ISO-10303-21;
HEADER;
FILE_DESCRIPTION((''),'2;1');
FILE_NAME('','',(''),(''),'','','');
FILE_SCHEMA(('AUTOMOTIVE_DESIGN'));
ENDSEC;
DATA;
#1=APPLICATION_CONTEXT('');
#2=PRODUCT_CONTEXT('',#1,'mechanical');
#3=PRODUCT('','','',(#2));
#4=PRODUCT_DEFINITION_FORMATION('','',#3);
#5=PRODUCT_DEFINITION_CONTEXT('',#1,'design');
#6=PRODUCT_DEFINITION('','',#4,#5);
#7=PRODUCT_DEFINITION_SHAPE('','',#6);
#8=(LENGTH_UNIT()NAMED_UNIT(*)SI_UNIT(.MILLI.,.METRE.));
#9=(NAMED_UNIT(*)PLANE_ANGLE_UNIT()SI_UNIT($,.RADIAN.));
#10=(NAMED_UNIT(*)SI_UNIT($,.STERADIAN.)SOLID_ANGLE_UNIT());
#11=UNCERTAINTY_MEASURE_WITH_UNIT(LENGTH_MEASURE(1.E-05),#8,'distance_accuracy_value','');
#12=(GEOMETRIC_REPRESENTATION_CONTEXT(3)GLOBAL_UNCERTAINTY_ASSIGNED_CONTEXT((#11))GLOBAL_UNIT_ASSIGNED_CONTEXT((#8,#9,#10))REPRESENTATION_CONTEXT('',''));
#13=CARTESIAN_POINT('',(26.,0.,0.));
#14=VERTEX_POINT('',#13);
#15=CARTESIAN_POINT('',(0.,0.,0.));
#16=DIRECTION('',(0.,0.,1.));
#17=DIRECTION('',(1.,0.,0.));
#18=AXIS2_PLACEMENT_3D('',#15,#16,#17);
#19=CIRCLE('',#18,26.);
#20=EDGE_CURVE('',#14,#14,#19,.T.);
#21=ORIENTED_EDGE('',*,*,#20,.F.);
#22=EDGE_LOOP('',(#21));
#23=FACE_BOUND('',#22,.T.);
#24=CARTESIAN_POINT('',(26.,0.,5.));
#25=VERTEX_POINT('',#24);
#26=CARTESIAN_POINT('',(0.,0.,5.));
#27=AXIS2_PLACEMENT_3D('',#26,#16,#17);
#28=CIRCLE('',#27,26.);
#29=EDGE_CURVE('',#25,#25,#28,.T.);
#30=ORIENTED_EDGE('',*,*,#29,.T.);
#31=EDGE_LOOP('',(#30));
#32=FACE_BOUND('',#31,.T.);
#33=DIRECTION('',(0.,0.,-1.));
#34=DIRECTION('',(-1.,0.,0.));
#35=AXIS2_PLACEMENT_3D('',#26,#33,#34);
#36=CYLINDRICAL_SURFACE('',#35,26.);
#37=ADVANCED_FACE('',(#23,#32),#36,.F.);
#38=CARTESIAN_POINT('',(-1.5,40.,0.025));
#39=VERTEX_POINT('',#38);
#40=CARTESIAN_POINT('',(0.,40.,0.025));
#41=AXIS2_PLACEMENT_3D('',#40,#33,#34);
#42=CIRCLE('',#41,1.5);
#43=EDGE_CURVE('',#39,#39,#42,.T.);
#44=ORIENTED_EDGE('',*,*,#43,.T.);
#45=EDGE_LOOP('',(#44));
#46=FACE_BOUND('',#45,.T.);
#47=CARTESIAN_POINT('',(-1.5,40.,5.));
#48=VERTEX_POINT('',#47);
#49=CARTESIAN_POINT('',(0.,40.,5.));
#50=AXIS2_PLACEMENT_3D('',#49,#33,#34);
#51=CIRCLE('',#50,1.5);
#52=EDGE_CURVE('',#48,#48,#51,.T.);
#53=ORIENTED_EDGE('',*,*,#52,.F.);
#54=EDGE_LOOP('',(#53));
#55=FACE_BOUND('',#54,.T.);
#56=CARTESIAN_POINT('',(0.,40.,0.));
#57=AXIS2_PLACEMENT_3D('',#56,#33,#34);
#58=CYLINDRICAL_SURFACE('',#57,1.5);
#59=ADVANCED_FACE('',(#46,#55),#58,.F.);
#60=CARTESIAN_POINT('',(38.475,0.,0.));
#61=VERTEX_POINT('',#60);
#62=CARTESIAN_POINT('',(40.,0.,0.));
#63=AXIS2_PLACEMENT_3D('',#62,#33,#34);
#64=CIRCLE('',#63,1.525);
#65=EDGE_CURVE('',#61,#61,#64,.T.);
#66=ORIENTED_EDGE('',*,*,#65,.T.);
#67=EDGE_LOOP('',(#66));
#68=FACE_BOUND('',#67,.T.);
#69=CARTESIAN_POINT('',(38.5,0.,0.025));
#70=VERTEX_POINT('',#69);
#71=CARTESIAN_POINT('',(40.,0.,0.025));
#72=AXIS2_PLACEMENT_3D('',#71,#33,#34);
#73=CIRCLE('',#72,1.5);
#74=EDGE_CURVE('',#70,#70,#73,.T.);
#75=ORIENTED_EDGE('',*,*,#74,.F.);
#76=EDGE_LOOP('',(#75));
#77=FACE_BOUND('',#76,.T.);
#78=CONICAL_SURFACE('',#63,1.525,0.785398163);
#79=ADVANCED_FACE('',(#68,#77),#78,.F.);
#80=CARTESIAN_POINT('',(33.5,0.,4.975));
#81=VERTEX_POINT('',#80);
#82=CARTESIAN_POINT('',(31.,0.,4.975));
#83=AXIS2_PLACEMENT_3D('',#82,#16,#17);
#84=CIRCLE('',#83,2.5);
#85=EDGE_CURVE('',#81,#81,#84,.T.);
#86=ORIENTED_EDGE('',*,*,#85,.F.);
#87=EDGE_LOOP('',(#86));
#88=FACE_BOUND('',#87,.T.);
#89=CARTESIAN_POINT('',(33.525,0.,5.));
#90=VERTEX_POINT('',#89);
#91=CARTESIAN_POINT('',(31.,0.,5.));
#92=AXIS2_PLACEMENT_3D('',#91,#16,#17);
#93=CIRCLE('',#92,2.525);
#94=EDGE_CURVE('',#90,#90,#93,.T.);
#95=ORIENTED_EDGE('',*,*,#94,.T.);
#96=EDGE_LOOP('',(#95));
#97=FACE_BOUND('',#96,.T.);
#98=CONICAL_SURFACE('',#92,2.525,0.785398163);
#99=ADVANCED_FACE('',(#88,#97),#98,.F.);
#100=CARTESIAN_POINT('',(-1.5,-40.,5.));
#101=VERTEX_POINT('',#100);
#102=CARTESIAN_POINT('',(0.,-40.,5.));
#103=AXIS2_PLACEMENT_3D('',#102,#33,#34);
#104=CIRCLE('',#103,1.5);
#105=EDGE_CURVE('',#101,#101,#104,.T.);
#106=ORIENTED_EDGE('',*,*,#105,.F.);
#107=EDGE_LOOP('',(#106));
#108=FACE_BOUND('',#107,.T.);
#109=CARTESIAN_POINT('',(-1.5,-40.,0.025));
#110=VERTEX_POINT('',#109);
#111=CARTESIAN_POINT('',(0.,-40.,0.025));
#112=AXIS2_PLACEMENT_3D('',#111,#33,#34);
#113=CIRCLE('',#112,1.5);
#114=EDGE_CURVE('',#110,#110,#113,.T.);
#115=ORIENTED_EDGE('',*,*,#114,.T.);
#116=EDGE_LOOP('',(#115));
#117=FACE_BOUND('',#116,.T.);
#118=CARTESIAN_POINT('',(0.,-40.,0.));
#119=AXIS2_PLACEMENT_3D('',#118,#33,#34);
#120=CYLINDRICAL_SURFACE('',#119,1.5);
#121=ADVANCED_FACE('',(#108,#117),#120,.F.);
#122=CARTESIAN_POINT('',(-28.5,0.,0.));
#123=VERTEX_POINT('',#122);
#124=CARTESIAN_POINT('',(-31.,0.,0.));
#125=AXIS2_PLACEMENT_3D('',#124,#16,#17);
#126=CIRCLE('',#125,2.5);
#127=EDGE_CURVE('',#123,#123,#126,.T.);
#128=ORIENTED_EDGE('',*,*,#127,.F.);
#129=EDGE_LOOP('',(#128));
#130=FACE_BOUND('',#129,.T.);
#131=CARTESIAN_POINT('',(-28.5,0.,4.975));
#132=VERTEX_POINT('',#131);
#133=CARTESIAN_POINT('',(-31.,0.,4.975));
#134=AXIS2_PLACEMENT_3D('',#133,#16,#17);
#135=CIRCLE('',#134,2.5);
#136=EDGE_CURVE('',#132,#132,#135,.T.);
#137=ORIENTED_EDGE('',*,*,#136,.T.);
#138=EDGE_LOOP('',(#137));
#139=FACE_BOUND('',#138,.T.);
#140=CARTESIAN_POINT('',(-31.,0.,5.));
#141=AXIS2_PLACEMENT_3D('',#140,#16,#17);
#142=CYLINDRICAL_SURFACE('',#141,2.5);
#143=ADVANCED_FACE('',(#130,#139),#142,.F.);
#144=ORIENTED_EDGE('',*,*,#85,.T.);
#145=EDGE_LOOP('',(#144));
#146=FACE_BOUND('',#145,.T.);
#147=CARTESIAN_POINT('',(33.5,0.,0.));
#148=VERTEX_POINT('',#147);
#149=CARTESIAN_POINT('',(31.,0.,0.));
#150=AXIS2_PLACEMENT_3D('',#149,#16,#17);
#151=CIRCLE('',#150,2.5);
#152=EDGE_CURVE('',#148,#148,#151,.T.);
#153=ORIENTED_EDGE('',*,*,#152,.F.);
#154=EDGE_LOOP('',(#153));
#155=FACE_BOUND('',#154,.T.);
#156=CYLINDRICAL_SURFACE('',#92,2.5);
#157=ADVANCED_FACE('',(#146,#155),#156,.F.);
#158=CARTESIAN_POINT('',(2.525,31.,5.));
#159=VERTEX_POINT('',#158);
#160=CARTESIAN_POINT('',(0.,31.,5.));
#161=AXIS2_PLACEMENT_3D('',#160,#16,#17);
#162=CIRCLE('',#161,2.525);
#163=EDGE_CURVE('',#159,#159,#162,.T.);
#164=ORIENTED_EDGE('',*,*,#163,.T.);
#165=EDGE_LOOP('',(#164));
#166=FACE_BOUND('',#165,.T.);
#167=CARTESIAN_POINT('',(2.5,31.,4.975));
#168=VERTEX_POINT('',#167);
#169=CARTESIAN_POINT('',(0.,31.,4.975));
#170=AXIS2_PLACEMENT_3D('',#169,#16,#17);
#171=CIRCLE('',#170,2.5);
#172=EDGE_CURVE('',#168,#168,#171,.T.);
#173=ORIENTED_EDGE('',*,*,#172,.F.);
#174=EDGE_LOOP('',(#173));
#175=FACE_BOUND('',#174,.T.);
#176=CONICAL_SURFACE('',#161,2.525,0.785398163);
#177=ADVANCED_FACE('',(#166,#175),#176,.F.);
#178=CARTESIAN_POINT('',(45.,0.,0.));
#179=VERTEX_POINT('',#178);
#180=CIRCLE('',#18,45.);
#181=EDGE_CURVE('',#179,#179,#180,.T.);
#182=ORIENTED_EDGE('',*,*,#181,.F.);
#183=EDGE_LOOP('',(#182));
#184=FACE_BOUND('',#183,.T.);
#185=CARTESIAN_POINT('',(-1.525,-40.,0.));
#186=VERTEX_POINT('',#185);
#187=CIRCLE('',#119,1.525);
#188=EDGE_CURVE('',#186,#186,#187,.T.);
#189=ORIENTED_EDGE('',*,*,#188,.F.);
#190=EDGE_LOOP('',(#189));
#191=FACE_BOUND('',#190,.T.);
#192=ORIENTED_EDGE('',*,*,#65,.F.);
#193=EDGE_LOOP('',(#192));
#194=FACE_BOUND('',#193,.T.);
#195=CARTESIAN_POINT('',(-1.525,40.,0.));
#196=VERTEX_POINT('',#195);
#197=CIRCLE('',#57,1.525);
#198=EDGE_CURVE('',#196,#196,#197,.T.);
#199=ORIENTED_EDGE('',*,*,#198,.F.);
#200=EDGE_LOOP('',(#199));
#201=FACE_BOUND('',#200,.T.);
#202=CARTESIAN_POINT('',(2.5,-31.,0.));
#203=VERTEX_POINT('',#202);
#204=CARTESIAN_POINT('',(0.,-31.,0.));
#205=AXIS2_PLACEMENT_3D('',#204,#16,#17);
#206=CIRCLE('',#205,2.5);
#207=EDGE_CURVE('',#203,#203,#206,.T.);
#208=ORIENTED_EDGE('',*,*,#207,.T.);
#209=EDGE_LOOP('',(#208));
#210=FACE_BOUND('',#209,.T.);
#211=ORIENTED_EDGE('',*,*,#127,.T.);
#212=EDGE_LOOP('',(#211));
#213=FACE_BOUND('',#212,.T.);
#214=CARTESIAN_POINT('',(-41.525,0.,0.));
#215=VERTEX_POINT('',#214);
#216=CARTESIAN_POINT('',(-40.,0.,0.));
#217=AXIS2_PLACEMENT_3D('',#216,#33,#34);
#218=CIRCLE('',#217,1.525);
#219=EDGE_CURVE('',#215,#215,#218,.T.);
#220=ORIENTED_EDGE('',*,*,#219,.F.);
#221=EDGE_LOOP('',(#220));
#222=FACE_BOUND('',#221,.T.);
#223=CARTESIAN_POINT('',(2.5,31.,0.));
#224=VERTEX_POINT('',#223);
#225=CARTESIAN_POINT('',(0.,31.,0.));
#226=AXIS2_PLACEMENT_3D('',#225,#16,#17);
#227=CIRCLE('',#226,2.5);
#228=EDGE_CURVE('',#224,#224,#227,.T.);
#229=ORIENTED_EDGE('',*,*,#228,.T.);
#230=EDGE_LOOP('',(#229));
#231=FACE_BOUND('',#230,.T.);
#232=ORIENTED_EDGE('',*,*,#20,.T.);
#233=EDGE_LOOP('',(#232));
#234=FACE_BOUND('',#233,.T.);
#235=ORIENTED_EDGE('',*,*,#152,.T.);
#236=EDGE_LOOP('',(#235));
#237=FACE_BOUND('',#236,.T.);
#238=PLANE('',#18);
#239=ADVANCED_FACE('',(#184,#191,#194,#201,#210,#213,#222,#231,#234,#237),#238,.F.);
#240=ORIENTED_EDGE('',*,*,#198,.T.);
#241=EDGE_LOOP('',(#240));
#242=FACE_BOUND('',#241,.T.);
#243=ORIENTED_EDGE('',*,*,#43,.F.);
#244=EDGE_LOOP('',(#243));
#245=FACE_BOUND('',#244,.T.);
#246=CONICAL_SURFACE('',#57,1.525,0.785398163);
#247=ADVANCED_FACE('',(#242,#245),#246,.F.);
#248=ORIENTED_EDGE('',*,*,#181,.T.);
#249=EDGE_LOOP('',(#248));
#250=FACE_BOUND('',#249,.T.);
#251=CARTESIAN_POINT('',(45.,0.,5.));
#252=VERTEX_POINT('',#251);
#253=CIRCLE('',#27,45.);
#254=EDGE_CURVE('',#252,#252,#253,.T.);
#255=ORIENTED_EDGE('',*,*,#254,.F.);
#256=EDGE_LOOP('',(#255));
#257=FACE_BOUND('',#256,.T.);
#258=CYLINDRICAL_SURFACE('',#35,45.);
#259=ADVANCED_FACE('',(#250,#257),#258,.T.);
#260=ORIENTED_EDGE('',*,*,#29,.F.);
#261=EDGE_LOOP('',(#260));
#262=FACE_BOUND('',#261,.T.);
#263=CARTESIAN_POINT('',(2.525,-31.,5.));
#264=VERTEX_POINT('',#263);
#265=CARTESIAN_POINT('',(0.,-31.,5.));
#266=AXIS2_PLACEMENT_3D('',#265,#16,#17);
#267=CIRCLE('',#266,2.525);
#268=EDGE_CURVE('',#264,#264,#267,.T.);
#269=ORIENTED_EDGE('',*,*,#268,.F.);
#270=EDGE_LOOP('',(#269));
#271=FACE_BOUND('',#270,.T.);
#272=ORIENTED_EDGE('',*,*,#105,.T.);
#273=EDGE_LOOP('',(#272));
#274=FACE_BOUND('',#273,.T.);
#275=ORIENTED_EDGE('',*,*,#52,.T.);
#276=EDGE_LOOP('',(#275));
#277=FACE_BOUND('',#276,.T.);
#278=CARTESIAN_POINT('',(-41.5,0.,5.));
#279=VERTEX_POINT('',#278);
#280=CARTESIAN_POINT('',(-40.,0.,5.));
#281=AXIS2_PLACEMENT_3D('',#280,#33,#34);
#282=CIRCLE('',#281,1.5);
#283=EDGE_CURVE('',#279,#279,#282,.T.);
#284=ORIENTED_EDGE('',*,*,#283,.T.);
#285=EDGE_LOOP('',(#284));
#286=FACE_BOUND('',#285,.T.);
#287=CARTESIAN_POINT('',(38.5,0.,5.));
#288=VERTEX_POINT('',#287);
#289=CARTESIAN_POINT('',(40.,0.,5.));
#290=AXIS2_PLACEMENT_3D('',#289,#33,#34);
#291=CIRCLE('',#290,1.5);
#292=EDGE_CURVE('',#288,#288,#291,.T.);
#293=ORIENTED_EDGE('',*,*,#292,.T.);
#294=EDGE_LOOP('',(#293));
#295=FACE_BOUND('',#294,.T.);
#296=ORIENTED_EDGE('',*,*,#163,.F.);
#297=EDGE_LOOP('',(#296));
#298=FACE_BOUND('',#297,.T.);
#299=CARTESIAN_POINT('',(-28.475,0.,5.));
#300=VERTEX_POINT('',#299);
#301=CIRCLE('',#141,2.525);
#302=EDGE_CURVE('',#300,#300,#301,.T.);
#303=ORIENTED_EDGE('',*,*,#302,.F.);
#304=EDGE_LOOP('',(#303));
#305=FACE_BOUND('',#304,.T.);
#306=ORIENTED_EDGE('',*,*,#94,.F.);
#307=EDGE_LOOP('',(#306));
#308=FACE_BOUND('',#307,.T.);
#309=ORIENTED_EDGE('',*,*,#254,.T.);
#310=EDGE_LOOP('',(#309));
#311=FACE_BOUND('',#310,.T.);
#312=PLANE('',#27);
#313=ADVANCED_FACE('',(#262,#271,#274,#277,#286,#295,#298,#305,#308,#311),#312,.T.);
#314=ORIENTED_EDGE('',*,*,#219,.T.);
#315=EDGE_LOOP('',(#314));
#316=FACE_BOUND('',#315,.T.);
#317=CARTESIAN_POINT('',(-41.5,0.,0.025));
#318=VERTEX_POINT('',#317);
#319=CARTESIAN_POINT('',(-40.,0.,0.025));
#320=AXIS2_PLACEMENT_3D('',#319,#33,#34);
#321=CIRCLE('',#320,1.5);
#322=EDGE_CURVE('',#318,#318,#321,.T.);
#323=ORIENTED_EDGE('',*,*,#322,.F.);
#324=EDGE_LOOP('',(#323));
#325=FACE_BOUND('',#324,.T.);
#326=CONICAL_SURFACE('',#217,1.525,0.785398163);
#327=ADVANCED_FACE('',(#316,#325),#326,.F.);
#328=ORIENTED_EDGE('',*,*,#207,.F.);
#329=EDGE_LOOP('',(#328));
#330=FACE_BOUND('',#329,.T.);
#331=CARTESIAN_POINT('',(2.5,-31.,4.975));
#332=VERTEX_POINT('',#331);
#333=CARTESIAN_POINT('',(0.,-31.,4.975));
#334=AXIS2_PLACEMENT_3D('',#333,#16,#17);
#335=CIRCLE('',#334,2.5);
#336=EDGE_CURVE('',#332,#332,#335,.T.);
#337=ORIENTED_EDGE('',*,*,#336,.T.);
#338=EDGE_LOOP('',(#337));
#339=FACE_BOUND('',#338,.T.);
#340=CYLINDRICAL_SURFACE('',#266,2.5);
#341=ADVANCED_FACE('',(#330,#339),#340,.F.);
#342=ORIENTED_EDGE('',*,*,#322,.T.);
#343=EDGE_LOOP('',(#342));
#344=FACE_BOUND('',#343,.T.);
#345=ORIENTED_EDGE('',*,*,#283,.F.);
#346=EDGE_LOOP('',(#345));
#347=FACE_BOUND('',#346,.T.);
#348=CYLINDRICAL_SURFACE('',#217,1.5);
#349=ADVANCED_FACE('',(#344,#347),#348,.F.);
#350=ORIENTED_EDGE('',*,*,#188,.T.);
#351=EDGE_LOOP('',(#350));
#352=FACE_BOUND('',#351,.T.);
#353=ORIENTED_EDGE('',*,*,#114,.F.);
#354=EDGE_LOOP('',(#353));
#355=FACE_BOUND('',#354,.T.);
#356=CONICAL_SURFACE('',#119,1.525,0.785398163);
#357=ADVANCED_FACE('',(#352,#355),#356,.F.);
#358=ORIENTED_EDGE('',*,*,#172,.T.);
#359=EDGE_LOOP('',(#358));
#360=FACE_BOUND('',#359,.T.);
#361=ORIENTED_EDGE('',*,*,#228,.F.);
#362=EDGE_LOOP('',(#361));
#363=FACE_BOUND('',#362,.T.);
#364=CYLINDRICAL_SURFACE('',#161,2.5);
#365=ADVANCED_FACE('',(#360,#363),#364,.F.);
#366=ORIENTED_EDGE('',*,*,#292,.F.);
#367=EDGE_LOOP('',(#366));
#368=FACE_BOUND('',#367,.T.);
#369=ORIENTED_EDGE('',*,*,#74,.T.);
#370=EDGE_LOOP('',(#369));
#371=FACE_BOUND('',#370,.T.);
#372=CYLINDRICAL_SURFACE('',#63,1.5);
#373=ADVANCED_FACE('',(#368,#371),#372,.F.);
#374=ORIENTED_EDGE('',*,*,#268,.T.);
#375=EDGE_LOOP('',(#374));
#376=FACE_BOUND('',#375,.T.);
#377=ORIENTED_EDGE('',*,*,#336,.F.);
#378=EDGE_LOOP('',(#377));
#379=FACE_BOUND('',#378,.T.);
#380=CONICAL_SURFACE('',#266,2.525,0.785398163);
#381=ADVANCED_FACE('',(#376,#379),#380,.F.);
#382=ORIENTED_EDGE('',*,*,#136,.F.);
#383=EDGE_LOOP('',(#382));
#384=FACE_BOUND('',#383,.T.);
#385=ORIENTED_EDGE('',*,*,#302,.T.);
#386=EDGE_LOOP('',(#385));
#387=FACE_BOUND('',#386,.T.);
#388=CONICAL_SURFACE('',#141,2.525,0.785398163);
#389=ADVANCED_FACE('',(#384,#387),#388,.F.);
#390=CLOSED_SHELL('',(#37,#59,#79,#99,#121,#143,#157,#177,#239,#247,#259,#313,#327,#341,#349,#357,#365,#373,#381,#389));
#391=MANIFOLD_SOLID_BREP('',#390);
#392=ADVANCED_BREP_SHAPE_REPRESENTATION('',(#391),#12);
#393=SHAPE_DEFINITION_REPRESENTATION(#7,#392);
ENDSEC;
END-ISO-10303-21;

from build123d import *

# Parameters (mm, degrees)
SKETCH1_R                       = 45
SKETCH1_R_2                     = 26
BOSS_EXTRUDE1_DEPTH             = 5
F_5_0MM_DOWEL_HOLE1_D           = 5
F_5_0MM_DOWEL_HOLE1_CSINK_D     = 5.05
F_5_0MM_DOWEL_HOLE1_CSINK_ANGLE = 90
F_3_0MM_DOWEL_HOLE3_D           = 3
F_3_0MM_DOWEL_HOLE3_CSINK_D     = 3.05
F_3_0MM_DOWEL_HOLE3_CSINK_ANGLE = 90


with BuildPart() as part:
    # Sketch1 → Boss-Extrude1 (new body)
    with BuildSketch(Plane.XY):
        Circle(SKETCH1_R)
        Circle(SKETCH1_R_2, mode=Mode.SUBTRACT)
    extrude(amount=BOSS_EXTRUDE1_DEPTH)

    # Ø5.0mm Dowel Hole1 (through all)
    with Locations(Plane.XY.offset(5)):
        with Locations((0, 31), (-31, 0), (0, -31), (31, 0)):
            CounterSinkHole(F_5_0MM_DOWEL_HOLE1_D / 2, F_5_0MM_DOWEL_HOLE1_CSINK_D / 2, counter_sink_angle=F_5_0MM_DOWEL_HOLE1_CSINK_ANGLE)

    # Ø3.0mm Dowel Hole3 (through all)
    with Locations(Plane(origin=(0, 0, 0), x_dir=(-1, 0, 0), z_dir=(0, 0, -1))):
        with Locations((0, 40), (40, 0), (0, -40), (-40, 0)):
            CounterSinkHole(F_3_0MM_DOWEL_HOLE3_D / 2, F_3_0MM_DOWEL_HOLE3_CSINK_D / 2, counter_sink_angle=F_3_0MM_DOWEL_HOLE3_CSINK_ANGLE)


solid = part.part
